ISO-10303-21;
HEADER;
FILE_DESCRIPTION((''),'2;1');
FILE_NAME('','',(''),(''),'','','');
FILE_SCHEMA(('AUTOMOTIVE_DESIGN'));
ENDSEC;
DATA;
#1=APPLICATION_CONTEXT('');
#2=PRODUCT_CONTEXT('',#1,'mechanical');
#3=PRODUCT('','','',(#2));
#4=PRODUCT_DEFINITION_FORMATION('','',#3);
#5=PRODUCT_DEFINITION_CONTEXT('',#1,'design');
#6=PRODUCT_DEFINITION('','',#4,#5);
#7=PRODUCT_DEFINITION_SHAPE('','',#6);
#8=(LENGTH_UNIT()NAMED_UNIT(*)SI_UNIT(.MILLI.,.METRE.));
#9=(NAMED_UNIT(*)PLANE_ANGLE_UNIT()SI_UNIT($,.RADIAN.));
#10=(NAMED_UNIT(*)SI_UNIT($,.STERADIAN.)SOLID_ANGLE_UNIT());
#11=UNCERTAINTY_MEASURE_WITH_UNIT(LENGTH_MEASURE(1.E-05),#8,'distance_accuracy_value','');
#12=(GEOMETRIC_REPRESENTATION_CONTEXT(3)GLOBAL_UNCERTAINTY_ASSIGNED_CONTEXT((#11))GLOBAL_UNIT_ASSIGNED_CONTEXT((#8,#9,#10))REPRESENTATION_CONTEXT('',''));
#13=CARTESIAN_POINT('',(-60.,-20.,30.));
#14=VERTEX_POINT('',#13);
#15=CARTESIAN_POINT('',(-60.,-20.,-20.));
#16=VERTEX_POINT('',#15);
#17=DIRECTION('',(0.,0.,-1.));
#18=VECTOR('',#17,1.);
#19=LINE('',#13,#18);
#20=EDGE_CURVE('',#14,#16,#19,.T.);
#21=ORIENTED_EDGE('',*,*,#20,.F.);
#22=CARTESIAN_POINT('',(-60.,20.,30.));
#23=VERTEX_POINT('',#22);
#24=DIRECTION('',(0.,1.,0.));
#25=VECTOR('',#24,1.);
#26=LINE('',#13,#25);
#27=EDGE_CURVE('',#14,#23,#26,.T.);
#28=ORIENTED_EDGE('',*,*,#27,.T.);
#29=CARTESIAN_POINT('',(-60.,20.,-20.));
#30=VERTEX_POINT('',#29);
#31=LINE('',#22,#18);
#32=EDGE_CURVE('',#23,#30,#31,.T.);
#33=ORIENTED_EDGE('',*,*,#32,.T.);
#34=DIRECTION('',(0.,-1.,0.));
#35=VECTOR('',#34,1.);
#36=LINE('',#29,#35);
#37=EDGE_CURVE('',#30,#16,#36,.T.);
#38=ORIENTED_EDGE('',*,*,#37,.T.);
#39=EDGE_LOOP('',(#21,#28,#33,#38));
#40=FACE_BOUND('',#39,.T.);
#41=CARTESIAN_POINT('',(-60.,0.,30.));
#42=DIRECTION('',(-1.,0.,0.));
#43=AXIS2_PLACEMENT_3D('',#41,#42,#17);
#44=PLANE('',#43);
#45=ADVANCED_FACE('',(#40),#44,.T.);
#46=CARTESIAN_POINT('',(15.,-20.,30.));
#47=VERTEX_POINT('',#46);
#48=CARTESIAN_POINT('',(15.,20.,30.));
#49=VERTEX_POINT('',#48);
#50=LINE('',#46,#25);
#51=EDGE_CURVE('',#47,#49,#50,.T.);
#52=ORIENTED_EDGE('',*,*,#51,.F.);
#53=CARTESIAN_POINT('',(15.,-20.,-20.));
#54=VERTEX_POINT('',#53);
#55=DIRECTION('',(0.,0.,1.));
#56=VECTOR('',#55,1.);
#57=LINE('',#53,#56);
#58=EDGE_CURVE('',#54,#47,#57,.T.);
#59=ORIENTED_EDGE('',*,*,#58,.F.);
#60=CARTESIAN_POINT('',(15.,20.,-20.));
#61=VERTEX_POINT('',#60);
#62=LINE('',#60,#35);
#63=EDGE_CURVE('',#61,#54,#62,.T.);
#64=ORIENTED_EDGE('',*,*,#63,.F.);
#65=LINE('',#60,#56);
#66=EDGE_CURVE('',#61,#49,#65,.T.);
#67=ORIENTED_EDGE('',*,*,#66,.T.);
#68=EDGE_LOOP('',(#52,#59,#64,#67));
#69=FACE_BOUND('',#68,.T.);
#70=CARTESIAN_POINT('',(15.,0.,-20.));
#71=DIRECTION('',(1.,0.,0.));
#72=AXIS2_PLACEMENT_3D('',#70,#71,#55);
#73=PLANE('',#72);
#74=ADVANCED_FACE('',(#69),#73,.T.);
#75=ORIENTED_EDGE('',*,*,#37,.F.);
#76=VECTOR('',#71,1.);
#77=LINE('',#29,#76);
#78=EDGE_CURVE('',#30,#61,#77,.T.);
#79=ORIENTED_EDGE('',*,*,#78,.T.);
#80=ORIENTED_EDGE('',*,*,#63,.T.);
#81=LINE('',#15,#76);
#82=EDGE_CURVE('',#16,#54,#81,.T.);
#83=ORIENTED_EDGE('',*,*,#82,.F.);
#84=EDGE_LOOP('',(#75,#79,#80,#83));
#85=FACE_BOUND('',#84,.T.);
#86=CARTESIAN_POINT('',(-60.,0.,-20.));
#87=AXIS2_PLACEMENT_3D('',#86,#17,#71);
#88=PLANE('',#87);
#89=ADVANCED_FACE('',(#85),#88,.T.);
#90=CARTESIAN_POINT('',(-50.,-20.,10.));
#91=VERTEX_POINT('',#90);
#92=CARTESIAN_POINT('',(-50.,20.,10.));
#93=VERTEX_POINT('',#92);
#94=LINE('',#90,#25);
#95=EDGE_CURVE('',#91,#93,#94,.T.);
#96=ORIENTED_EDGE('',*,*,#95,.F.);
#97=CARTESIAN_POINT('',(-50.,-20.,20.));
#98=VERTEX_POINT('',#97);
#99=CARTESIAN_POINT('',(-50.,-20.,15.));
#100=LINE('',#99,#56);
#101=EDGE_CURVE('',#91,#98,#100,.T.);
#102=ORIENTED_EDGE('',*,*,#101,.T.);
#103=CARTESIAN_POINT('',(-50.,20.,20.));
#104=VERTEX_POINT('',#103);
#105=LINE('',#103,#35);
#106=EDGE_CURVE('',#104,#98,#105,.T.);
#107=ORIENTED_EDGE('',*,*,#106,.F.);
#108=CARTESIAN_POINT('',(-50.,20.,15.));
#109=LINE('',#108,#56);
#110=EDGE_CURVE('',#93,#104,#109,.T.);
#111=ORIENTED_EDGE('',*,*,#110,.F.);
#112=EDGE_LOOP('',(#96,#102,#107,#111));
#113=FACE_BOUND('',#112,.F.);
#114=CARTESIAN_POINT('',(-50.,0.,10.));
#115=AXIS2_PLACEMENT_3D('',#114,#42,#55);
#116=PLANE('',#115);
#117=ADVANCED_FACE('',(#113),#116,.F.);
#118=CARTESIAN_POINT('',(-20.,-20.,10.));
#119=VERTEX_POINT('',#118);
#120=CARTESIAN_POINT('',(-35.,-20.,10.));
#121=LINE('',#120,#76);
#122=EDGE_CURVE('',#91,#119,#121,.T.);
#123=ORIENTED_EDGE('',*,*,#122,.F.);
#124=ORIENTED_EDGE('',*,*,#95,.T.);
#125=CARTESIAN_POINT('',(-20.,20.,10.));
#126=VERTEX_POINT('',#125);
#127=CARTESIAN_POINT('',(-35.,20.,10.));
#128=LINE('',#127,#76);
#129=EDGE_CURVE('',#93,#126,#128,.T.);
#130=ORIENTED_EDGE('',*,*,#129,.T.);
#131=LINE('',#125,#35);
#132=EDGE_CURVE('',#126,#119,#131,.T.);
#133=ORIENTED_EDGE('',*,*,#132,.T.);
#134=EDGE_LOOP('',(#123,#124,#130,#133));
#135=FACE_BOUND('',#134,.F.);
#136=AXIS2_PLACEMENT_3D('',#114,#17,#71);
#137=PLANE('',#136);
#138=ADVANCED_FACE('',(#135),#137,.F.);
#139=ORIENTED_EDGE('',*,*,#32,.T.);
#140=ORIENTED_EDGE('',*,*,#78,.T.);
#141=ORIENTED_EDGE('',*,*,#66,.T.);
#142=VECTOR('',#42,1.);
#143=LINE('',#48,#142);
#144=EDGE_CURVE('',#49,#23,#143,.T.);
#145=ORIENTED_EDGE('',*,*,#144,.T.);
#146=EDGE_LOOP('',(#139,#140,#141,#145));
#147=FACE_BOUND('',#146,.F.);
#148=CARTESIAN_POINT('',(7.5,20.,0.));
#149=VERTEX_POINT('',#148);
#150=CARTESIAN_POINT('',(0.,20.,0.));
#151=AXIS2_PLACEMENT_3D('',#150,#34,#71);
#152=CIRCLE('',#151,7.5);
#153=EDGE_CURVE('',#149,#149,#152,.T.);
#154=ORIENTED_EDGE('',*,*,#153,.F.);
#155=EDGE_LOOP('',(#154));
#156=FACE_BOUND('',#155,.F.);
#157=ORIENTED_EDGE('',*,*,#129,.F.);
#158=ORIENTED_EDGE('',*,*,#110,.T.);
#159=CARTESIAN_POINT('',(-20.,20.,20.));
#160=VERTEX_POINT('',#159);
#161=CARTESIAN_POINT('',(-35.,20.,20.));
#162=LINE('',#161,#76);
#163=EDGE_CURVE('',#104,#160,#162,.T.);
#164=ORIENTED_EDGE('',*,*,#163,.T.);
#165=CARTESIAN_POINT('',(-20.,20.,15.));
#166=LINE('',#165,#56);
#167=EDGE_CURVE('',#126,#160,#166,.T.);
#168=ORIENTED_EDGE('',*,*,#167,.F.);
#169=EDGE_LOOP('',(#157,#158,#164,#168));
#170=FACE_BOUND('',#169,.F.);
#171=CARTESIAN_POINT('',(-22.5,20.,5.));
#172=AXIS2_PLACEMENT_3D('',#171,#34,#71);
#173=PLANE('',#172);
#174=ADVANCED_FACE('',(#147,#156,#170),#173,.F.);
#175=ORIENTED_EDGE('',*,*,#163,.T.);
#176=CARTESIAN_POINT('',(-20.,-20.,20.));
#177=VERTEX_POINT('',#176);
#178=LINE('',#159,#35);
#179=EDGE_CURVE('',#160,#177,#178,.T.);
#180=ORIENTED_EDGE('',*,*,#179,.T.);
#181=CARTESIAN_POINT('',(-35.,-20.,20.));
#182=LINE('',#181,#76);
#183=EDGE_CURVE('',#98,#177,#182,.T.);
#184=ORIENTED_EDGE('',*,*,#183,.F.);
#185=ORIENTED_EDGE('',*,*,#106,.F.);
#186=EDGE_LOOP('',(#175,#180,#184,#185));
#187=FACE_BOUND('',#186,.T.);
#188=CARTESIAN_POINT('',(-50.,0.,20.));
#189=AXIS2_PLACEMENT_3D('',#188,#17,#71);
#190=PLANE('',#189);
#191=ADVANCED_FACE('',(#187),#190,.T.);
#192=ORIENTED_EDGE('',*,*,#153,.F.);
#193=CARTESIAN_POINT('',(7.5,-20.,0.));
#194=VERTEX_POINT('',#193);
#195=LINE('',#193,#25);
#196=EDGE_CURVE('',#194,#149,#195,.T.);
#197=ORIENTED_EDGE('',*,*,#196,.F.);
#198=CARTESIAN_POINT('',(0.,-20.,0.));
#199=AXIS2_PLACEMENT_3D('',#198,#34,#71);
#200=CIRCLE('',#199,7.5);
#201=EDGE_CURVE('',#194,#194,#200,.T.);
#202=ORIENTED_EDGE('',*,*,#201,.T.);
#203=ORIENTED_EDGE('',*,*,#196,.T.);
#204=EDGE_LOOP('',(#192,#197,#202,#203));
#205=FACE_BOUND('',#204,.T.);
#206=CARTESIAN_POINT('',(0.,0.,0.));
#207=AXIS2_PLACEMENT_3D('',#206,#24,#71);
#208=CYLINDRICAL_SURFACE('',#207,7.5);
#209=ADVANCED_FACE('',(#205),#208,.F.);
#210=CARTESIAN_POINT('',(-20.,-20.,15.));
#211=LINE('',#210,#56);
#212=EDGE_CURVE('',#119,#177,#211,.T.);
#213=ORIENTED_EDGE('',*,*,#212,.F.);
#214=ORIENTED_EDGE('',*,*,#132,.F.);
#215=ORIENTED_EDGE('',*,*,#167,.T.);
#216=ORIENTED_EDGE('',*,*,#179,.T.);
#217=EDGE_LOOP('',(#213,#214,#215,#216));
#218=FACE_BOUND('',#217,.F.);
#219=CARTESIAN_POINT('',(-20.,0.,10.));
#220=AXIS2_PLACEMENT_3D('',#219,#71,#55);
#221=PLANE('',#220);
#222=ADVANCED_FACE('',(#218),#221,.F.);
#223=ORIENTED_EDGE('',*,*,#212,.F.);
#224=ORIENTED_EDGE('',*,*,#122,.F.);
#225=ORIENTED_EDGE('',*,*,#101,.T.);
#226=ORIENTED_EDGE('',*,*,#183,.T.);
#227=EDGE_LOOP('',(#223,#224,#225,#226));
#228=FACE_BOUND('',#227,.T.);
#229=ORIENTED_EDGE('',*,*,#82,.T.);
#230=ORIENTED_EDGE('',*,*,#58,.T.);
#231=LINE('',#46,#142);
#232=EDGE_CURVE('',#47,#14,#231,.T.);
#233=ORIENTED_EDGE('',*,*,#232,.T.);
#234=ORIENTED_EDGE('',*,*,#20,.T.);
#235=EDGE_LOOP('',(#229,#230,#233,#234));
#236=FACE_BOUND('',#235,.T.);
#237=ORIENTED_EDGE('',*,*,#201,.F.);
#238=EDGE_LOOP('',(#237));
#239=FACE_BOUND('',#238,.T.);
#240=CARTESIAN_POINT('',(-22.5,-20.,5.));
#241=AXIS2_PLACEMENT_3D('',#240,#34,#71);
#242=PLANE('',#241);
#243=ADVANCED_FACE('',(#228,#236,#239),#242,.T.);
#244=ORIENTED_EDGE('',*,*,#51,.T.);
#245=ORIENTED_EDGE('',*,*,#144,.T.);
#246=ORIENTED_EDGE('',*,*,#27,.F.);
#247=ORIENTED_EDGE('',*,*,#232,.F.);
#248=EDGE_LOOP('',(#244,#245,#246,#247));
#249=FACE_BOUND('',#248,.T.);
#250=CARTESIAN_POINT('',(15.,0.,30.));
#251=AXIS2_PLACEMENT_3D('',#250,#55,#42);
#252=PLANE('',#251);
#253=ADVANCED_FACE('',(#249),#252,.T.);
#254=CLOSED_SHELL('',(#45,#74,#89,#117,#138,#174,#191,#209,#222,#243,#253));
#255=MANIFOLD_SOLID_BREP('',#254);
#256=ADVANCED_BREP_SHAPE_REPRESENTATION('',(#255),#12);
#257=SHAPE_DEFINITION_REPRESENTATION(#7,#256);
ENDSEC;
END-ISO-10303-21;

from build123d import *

# Parameters (mm, degrees)
F1_R     = 7.5
F1_W     = 30
F1_H     = 10
F2_DEPTH = 20


with BuildPart() as f2:
    # F1 (on face) → F2 (new body, symmetric)
    with BuildSketch(Plane.XZ):
        Polygon((-60, 30), (-60, -20), (0, -20), (15, -20), (15, 0), (15, 30), align=None)
        Circle(F1_R, mode=Mode.SUBTRACT)
        with Locations((-35, 15)):
            Rectangle(F1_W, F1_H, mode=Mode.SUBTRACT)
    extrude(amount=F2_DEPTH, both=True)


solid = f2.part
